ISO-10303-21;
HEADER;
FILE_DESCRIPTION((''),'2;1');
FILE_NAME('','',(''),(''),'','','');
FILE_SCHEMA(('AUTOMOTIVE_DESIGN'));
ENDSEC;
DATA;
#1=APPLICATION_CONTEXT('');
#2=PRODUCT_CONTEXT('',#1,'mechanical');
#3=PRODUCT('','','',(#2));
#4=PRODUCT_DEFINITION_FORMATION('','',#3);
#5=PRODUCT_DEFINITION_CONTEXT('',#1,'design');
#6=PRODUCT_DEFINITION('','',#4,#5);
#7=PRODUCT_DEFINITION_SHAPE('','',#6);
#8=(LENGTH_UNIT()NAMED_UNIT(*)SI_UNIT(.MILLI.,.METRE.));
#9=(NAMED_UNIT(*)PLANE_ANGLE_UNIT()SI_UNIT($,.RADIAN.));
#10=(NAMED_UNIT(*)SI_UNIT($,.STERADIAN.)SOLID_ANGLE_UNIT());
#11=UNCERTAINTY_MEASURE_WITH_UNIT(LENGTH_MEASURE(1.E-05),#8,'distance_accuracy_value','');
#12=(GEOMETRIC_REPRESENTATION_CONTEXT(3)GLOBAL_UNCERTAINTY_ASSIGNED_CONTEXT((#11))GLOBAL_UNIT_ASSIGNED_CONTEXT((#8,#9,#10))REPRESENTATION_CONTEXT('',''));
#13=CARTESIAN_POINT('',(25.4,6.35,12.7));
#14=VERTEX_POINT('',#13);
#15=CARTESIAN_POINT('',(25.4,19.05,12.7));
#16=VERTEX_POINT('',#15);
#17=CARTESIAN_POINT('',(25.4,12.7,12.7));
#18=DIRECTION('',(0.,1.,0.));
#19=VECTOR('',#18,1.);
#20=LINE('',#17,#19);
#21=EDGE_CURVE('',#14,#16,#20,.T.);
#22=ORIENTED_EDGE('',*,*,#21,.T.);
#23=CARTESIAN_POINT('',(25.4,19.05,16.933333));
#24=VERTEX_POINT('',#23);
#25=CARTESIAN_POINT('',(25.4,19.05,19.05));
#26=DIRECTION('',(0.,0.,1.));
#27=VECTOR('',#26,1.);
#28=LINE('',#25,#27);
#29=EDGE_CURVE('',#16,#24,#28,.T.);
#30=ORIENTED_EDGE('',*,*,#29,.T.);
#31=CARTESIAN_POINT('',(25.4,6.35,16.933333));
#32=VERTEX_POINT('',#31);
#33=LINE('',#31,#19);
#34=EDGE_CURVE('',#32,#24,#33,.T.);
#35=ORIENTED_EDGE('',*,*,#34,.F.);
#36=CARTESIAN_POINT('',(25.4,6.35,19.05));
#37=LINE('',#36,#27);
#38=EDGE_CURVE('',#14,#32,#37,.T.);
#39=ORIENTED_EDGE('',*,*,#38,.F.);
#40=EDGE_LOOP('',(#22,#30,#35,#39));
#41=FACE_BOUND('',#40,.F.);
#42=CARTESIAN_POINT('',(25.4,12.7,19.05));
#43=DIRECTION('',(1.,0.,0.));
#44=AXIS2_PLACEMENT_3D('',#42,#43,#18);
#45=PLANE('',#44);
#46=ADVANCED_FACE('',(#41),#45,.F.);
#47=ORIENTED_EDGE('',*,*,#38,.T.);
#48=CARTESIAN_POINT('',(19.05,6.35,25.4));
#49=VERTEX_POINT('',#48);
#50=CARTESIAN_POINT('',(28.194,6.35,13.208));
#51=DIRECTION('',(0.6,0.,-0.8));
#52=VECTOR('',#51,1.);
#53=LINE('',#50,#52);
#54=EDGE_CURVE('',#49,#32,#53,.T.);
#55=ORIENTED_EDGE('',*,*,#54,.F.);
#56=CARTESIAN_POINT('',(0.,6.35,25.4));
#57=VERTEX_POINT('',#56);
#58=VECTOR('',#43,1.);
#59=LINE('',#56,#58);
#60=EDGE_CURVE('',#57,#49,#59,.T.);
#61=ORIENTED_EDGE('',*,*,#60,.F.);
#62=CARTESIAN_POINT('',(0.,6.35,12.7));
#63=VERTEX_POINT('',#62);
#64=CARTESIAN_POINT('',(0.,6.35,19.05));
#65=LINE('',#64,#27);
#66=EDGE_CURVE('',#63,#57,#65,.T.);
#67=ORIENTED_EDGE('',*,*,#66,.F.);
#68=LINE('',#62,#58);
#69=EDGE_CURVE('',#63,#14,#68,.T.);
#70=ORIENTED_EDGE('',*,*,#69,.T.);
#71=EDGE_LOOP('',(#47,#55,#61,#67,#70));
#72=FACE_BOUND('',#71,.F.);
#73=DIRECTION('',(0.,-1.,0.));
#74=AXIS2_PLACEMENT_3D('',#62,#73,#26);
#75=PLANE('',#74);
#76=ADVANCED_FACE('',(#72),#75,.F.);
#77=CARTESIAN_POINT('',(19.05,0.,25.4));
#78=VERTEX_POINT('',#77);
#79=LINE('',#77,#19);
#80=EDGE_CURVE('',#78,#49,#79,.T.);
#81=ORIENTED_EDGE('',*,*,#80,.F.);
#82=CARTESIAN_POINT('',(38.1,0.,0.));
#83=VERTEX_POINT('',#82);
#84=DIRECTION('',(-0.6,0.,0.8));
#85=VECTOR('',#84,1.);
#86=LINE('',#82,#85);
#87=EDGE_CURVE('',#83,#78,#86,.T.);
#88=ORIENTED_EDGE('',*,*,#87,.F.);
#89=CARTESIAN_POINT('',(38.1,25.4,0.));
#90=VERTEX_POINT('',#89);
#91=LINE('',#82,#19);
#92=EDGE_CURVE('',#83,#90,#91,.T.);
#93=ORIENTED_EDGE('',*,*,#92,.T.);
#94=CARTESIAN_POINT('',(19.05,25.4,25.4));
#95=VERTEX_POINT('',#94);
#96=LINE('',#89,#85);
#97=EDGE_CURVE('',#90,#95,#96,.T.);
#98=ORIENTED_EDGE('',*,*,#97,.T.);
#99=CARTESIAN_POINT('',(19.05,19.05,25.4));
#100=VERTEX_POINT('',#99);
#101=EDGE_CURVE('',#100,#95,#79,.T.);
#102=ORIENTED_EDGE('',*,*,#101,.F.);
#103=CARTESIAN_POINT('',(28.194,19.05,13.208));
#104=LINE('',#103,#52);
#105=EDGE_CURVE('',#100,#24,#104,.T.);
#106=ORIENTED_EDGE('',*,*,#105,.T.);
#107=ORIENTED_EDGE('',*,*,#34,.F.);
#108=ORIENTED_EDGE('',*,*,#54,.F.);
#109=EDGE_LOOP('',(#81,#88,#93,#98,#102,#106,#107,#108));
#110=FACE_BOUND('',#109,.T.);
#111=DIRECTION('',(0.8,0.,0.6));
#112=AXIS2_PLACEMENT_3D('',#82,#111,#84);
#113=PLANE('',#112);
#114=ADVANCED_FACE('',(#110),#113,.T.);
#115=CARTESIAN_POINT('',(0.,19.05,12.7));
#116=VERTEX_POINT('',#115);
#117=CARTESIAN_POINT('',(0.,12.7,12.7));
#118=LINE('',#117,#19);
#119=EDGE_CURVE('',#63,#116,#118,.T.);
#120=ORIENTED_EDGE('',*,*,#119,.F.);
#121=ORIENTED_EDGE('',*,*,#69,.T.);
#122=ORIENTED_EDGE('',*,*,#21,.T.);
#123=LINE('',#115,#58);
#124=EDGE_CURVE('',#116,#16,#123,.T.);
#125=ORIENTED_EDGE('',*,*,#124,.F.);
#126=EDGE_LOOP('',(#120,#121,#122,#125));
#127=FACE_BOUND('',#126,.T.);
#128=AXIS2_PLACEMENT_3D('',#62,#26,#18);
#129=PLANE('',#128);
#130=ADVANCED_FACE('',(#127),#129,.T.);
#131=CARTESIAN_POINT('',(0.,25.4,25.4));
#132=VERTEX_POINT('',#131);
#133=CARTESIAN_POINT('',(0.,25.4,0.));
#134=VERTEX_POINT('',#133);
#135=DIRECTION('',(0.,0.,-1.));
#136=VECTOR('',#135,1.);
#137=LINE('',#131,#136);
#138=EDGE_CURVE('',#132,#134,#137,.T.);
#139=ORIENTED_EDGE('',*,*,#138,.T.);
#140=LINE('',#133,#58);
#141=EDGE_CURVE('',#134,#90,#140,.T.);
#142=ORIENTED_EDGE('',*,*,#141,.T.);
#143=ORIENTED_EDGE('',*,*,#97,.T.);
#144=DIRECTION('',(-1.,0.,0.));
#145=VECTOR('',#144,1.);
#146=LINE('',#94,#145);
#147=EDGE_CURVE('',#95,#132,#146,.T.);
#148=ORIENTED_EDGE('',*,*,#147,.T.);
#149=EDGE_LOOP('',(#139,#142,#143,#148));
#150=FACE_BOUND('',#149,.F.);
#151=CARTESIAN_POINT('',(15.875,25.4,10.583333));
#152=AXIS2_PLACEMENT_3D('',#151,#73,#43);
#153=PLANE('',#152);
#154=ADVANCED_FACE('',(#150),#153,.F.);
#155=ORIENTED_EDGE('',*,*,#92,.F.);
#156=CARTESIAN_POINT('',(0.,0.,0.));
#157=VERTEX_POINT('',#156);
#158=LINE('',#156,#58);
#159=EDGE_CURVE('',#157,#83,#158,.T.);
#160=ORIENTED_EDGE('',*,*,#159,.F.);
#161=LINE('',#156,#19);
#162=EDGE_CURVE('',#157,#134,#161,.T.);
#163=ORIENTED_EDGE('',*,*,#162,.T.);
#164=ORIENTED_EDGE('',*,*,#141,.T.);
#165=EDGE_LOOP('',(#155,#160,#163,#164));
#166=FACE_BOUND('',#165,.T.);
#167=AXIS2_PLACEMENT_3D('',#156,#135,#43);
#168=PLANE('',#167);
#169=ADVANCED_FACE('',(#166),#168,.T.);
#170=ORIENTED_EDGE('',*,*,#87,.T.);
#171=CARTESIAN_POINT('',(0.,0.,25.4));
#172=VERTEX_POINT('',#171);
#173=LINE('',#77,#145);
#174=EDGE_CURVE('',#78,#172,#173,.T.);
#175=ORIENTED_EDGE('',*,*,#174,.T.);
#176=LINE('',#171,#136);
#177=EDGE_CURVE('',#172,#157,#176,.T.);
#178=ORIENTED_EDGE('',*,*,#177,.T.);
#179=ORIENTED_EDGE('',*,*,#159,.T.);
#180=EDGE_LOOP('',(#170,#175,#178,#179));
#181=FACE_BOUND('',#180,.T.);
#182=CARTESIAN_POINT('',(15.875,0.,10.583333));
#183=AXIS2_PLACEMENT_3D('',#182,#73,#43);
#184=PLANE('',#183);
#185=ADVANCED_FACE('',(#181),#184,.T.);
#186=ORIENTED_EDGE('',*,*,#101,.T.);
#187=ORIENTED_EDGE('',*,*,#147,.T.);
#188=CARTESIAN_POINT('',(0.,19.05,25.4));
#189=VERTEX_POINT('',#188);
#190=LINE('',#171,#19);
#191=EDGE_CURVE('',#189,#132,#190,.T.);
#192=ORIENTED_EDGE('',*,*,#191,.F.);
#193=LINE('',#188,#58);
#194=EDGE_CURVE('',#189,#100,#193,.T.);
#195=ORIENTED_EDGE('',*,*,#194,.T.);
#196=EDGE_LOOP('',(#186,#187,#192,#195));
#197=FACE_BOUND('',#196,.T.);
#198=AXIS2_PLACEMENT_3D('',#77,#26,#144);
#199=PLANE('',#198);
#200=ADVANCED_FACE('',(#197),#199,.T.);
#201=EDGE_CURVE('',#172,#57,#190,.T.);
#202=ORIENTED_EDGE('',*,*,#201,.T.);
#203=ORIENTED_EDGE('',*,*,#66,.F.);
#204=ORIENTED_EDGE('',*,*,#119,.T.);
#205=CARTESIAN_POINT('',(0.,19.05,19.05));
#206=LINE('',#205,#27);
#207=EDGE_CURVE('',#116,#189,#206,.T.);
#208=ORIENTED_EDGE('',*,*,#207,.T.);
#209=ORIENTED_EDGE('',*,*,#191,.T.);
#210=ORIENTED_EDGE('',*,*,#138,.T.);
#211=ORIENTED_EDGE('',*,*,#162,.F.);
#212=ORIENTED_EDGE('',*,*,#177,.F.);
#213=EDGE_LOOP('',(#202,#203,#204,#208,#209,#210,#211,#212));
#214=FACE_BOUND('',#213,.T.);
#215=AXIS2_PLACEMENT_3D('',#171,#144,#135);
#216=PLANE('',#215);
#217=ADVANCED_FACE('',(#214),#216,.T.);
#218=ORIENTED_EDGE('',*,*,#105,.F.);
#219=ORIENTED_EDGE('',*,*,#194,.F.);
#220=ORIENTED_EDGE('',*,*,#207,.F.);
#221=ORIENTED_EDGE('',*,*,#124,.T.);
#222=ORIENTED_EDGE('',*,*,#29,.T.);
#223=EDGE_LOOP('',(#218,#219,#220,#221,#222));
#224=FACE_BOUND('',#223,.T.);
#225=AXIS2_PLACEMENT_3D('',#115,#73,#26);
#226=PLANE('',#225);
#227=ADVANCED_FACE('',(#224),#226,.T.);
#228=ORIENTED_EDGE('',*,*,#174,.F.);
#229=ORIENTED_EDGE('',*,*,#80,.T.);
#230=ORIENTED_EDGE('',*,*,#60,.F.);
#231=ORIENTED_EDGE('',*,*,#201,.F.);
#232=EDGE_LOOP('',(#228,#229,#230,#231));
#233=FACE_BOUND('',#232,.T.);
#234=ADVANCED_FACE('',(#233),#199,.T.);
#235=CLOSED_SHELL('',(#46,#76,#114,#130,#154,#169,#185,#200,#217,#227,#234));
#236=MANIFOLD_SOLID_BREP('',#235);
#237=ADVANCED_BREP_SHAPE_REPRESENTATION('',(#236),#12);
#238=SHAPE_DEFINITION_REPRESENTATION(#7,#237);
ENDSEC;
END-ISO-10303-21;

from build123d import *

# Parameters (mm, degrees)
F2_DEPTH = 25.4
F0_W     = 12.7
F0_H     = 12.7
F3_DEPTH = 25.4


with BuildPart() as f2:
    # F1 (on Front) → F2 (new body)
    with BuildSketch(Plane.XZ):
        Polygon((19.05, 25.4), (0, 25.4), (0, 0), (38.1, 0), align=None)
    extrude(amount=-F2_DEPTH)

    # F0 (on Right) → F3 (cut)
    with BuildSketch(Plane.YZ):
        with Locations((12.7, 19.05)):
            Rectangle(F0_W, F0_H)
    extrude(amount=F3_DEPTH, mode=Mode.SUBTRACT)


solid = f2.part
